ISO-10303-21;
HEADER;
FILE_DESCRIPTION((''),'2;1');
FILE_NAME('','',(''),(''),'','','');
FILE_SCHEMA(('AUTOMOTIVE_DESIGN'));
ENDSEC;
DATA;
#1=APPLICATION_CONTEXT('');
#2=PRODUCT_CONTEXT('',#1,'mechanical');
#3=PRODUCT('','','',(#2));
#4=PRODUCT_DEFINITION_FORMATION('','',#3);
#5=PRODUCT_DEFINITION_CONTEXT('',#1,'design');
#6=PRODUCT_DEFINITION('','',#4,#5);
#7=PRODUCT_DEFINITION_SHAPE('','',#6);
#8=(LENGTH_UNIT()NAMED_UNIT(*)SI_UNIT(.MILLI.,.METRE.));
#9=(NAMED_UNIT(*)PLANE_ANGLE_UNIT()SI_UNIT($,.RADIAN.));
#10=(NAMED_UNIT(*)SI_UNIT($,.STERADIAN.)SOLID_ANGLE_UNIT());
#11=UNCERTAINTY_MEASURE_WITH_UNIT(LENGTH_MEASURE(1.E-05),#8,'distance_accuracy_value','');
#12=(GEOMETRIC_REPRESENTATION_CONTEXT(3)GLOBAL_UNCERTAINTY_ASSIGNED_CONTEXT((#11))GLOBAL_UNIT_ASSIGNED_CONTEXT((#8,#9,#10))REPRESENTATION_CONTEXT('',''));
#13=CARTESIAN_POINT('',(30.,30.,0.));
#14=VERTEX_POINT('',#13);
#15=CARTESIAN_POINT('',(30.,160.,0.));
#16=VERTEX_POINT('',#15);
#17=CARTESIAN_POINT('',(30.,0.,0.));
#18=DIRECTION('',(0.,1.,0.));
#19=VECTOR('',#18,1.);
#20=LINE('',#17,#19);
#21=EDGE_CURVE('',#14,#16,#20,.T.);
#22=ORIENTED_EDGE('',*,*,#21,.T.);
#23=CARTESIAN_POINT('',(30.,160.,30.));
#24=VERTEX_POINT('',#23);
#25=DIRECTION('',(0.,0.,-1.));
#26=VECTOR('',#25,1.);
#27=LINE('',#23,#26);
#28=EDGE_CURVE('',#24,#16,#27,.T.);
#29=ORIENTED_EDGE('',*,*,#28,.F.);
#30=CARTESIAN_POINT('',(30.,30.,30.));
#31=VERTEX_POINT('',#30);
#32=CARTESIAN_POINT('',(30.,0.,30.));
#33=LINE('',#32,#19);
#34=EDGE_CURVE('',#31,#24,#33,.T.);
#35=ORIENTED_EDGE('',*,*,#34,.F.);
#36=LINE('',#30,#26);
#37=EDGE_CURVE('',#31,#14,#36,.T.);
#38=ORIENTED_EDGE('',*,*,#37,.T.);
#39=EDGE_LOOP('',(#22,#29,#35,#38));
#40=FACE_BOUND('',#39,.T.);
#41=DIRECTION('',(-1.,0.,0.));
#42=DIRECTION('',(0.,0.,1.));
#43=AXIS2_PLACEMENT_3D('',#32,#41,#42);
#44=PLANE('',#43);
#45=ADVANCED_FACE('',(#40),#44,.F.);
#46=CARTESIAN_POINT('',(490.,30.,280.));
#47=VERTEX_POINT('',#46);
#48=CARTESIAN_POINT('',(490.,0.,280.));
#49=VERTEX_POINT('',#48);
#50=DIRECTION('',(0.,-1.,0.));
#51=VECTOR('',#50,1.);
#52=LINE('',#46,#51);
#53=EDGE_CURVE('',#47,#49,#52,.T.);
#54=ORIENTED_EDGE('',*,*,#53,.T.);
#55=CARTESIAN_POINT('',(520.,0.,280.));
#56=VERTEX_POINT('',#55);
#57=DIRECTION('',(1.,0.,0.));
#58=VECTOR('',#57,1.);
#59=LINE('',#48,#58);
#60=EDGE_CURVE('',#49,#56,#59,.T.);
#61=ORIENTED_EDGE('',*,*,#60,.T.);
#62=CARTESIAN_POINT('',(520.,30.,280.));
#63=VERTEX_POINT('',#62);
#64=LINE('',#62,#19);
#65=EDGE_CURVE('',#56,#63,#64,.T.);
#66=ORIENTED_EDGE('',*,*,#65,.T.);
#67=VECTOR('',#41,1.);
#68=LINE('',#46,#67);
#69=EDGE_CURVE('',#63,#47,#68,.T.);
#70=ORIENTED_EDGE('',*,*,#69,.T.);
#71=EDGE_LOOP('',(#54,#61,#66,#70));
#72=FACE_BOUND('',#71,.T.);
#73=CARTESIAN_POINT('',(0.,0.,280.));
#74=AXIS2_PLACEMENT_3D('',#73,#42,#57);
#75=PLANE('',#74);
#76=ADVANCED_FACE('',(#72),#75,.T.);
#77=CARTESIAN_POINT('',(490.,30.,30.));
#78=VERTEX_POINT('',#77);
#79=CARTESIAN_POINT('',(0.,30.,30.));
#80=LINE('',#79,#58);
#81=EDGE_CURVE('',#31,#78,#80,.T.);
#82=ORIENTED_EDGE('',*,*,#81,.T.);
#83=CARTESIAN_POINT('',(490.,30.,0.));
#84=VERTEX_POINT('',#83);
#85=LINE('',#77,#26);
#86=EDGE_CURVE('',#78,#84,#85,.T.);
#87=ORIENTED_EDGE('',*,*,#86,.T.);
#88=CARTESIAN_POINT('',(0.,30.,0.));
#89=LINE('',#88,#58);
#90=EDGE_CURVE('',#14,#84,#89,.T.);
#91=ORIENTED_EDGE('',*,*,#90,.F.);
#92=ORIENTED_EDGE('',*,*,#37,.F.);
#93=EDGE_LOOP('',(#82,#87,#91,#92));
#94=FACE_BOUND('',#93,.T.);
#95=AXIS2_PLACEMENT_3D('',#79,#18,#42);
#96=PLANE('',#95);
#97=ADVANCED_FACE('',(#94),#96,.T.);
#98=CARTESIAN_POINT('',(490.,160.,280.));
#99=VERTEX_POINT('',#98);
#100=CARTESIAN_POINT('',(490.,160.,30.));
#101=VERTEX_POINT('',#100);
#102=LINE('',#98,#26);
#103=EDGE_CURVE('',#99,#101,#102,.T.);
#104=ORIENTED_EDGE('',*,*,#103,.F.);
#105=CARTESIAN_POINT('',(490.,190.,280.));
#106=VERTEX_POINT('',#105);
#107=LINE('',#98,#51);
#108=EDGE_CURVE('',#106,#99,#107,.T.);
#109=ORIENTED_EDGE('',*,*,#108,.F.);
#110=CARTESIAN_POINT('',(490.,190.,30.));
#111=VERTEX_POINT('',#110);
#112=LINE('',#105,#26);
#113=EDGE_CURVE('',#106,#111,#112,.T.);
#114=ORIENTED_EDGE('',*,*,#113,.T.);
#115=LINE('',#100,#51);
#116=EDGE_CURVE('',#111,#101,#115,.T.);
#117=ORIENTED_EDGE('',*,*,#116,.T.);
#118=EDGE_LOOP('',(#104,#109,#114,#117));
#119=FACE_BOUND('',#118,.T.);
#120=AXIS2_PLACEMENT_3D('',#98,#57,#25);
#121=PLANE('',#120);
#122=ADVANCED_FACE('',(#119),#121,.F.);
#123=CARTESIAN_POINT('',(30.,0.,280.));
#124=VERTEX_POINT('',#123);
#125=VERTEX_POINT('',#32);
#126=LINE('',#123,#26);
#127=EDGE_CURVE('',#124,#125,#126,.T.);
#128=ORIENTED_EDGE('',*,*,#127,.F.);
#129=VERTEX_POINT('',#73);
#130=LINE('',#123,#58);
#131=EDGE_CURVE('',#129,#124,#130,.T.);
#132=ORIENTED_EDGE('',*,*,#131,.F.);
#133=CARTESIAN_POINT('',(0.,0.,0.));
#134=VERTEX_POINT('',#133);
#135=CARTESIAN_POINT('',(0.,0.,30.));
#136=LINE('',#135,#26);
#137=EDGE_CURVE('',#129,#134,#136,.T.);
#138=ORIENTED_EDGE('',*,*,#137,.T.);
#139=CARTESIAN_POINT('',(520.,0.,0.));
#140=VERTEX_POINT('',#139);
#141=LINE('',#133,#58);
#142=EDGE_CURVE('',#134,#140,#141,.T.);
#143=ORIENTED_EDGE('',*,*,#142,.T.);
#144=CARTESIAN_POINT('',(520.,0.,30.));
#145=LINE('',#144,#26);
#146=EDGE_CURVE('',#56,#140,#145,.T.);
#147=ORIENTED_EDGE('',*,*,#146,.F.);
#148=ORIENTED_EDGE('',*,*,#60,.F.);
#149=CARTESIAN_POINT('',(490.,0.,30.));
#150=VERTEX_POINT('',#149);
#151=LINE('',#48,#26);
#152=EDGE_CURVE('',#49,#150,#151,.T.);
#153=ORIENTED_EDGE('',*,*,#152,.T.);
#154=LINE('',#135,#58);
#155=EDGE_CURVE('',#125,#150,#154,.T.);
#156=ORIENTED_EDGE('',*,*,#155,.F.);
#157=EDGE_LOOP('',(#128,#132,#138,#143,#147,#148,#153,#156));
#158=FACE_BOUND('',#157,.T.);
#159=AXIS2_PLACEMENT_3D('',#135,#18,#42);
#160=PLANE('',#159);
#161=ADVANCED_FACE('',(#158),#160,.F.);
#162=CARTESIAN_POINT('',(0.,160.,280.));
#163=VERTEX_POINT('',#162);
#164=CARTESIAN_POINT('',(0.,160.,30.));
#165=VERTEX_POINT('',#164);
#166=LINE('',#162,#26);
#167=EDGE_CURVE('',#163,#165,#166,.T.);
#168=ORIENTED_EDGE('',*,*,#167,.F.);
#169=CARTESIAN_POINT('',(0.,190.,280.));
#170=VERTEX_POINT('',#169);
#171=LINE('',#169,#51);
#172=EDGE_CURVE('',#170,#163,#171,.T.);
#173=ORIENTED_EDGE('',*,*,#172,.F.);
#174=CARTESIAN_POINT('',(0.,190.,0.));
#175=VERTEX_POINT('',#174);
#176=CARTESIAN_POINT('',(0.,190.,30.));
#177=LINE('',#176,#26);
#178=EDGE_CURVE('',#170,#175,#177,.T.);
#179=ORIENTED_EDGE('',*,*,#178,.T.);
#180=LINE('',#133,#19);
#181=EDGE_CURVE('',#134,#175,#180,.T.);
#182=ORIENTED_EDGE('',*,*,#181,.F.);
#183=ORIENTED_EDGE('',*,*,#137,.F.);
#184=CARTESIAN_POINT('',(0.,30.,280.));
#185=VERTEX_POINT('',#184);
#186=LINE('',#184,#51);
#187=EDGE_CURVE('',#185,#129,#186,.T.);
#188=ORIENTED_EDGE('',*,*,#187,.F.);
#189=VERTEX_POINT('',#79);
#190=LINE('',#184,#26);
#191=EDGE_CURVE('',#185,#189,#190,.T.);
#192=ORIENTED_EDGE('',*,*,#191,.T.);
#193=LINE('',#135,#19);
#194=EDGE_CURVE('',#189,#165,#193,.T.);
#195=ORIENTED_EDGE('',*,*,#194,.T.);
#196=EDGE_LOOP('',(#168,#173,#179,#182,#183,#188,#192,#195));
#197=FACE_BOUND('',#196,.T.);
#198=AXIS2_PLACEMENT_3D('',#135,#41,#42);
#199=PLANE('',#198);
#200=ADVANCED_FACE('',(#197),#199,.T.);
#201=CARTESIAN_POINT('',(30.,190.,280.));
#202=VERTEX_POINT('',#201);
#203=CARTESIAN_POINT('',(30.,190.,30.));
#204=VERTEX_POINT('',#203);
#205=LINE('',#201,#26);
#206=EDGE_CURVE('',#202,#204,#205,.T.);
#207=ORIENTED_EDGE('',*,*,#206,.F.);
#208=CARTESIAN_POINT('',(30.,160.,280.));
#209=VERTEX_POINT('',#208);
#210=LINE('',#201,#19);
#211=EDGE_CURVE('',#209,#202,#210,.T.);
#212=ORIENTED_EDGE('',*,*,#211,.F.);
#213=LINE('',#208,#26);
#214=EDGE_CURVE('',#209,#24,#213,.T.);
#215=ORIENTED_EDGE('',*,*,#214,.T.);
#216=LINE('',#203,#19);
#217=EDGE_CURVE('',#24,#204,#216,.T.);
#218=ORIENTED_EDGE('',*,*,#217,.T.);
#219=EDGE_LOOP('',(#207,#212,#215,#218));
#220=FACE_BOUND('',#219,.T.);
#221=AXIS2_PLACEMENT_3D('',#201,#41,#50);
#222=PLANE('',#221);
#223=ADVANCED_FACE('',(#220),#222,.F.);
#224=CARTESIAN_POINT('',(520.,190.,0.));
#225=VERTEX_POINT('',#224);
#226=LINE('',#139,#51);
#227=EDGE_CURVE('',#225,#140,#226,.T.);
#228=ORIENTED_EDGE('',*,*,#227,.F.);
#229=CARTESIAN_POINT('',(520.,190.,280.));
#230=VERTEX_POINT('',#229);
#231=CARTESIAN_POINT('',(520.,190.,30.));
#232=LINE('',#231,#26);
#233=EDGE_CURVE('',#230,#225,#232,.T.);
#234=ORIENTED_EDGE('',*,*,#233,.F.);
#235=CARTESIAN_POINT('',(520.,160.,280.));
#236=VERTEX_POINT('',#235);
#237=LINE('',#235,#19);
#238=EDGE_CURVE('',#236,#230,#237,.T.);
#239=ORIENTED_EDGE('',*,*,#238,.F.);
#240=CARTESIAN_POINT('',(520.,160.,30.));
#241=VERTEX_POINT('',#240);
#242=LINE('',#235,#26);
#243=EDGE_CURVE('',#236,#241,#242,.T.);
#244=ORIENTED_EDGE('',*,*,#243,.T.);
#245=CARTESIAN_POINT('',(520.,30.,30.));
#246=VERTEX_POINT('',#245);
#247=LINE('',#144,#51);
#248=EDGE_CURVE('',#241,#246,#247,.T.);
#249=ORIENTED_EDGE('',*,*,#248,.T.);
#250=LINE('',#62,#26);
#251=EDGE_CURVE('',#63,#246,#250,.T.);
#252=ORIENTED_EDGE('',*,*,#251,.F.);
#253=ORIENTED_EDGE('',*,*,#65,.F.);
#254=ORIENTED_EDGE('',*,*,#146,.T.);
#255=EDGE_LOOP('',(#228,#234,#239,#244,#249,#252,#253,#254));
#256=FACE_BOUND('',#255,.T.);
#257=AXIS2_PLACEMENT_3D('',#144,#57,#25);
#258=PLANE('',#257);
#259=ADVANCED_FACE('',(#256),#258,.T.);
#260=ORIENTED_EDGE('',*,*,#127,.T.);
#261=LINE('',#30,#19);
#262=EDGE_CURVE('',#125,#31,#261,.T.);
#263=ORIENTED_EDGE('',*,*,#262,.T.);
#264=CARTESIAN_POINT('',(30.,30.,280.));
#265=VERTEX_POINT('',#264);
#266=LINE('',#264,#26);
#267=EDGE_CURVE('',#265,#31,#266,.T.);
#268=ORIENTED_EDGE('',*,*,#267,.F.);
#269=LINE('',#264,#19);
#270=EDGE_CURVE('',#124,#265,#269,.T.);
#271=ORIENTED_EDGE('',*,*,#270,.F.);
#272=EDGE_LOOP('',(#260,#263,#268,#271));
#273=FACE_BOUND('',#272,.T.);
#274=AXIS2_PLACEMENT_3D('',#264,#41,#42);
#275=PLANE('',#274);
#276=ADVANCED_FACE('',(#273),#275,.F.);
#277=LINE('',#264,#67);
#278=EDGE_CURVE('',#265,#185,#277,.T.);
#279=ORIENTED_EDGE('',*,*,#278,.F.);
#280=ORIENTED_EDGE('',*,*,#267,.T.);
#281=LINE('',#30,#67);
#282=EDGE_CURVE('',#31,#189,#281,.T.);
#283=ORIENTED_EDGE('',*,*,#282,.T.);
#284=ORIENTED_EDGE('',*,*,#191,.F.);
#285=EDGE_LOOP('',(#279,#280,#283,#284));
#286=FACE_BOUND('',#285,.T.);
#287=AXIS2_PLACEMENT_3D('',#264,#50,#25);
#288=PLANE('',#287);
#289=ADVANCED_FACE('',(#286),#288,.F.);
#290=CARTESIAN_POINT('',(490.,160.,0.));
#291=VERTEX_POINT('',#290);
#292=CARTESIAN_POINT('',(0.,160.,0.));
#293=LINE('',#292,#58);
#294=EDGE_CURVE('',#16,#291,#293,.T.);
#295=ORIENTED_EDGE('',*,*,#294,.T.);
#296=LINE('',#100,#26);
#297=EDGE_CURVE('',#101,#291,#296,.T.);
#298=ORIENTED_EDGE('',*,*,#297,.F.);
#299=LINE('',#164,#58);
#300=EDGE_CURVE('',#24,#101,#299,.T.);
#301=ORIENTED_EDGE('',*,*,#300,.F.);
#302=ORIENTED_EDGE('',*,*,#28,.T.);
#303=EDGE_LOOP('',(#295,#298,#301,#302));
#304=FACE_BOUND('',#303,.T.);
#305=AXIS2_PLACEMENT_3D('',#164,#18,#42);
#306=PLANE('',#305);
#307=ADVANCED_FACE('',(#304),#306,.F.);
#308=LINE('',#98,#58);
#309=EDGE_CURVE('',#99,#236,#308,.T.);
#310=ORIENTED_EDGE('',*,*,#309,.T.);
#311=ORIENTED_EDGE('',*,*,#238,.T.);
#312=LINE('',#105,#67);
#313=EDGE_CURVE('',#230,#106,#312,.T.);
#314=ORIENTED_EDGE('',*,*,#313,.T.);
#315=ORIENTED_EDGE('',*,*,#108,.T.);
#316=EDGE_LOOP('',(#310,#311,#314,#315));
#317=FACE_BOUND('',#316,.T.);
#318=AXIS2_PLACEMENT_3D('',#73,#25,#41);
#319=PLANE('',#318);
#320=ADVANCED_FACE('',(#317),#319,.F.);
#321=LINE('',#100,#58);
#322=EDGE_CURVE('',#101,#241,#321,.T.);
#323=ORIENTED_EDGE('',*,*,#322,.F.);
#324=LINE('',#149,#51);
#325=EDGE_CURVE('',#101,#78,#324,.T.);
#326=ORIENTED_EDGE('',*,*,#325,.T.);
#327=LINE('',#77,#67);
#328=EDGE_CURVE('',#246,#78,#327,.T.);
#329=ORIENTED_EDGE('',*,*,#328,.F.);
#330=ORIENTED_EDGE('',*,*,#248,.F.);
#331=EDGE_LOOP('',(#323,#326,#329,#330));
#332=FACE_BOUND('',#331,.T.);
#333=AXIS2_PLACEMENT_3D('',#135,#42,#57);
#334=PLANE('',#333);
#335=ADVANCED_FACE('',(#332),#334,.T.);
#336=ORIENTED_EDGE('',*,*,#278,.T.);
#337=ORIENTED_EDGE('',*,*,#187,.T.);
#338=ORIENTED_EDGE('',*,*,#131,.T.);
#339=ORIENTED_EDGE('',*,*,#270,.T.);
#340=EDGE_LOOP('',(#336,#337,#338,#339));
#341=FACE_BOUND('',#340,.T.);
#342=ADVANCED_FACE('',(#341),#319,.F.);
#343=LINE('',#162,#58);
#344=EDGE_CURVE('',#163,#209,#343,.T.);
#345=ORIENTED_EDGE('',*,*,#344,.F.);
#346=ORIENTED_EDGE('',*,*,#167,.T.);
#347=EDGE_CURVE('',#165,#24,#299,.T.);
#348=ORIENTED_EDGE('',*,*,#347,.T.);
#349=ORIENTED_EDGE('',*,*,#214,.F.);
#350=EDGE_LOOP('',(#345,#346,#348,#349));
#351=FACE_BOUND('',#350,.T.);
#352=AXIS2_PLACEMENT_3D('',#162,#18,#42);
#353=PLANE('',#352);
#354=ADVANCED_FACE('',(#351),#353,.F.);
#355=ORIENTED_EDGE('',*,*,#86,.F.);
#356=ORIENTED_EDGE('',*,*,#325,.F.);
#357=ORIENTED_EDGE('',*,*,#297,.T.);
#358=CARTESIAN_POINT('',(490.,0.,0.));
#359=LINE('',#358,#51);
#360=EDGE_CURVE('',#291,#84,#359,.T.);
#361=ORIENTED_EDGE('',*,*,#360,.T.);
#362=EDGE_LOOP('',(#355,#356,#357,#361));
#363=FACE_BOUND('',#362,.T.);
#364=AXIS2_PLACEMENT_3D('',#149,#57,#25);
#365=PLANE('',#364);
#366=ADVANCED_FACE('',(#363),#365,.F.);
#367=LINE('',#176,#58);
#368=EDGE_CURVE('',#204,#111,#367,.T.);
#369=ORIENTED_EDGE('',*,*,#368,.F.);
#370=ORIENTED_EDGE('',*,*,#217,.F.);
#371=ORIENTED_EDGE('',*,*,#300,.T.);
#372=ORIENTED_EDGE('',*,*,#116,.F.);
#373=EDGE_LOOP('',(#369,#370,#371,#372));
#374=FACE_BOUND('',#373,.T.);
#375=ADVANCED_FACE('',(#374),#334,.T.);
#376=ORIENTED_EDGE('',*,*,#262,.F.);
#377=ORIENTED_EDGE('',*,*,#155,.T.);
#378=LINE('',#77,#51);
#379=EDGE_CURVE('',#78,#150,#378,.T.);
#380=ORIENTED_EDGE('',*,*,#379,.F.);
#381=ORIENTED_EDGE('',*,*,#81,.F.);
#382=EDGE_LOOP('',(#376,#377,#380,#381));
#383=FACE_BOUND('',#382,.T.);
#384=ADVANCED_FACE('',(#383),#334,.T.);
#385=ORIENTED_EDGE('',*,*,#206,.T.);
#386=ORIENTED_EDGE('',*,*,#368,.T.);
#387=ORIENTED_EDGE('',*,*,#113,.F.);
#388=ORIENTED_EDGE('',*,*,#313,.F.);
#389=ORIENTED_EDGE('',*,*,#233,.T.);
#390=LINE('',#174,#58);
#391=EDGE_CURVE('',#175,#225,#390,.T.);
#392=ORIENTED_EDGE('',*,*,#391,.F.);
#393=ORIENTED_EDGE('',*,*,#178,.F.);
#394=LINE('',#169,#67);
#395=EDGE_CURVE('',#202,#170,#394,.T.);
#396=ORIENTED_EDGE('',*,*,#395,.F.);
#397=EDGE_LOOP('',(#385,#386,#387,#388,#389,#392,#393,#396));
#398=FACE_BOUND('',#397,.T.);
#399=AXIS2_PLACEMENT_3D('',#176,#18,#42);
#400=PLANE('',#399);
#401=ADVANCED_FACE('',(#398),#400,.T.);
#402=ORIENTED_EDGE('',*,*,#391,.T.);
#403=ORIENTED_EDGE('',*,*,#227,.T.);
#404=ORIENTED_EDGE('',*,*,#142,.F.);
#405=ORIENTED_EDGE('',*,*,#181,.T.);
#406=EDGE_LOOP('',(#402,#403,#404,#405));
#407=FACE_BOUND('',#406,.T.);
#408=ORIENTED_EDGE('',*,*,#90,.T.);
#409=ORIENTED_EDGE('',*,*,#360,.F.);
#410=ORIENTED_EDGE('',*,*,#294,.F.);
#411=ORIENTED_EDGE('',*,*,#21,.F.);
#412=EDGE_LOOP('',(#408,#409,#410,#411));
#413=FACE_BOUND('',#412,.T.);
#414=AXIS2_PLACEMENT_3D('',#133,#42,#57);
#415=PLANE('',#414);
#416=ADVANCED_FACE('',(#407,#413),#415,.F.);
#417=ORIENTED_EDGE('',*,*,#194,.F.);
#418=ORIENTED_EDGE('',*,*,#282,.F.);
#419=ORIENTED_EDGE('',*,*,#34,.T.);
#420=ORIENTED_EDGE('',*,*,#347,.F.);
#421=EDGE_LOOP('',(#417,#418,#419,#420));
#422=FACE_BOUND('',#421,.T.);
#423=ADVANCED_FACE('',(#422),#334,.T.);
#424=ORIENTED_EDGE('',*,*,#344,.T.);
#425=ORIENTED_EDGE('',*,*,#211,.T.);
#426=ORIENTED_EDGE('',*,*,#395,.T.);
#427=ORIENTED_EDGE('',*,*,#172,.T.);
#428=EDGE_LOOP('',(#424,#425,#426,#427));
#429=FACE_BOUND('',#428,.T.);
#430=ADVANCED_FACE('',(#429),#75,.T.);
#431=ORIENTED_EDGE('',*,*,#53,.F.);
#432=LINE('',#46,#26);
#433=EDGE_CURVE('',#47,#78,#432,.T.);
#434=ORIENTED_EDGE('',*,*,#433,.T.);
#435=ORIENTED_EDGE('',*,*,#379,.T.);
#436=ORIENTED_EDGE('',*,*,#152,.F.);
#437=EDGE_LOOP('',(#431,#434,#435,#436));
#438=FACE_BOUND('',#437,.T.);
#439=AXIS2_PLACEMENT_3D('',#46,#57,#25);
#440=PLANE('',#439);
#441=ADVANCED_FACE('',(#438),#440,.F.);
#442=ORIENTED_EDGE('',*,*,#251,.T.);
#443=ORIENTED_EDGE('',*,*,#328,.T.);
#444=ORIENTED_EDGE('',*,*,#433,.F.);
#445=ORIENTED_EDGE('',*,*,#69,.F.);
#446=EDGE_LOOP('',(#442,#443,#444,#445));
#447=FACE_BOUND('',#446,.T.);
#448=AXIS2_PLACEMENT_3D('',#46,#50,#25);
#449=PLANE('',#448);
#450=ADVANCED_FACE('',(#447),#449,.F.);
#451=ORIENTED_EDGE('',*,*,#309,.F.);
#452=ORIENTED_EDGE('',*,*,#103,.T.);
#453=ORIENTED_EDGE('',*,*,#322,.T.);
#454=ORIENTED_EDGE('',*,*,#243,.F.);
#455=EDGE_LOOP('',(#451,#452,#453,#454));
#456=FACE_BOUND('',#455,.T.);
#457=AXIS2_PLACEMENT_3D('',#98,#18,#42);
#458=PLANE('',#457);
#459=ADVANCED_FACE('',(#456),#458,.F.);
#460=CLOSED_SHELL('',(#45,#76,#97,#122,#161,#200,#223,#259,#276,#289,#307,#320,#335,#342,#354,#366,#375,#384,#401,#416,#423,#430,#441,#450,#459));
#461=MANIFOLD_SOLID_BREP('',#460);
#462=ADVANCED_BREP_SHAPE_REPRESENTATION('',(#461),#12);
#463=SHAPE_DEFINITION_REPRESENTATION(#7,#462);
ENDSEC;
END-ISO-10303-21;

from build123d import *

# Parameters (mm, degrees)
SKETCH_1_W      = 30
SKETCH_1_H      = 190
SKETCH_1_W_2    = 460
SKETCH_1_H_2    = 30
EXTRUDE_1_DEPTH = 30
SKETCH_2_W      = 30
SKETCH_2_H      = 30
EXTRUDE_2_DEPTH = 250


with BuildPart() as part:
    # 草图1 → 凸台-拉伸1 (new body)
    with BuildSketch(Plane.XY):
        with Locations((15, 95)):
            Rectangle(SKETCH_1_W, SKETCH_1_H)
        with Locations((260, 175)):
            Rectangle(SKETCH_1_W_2, SKETCH_1_H_2)
        with Locations((260, 15)):
            Rectangle(SKETCH_1_W_2, SKETCH_1_H_2)
        Polygon((490, 30), (490, 0), (520, 0), (520, 190), (490, 190), (490, 160), align=None)
    extrude(amount=EXTRUDE_1_DEPTH)

    # 草图2 → 凸台-拉伸2 (add)
    with BuildSketch(Plane.XY.offset(30)):
        with Locations((15, 175)):
            Rectangle(SKETCH_2_W, SKETCH_2_H)
        with Locations((15, 15)):
            Rectangle(SKETCH_2_W, SKETCH_2_H)
        with Locations((505, 175)):
            Rectangle(SKETCH_2_W, SKETCH_2_H)
        with Locations((505, 15)):
            Rectangle(SKETCH_2_W, SKETCH_2_H)
    extrude(amount=EXTRUDE_2_DEPTH)


solid = part.part
